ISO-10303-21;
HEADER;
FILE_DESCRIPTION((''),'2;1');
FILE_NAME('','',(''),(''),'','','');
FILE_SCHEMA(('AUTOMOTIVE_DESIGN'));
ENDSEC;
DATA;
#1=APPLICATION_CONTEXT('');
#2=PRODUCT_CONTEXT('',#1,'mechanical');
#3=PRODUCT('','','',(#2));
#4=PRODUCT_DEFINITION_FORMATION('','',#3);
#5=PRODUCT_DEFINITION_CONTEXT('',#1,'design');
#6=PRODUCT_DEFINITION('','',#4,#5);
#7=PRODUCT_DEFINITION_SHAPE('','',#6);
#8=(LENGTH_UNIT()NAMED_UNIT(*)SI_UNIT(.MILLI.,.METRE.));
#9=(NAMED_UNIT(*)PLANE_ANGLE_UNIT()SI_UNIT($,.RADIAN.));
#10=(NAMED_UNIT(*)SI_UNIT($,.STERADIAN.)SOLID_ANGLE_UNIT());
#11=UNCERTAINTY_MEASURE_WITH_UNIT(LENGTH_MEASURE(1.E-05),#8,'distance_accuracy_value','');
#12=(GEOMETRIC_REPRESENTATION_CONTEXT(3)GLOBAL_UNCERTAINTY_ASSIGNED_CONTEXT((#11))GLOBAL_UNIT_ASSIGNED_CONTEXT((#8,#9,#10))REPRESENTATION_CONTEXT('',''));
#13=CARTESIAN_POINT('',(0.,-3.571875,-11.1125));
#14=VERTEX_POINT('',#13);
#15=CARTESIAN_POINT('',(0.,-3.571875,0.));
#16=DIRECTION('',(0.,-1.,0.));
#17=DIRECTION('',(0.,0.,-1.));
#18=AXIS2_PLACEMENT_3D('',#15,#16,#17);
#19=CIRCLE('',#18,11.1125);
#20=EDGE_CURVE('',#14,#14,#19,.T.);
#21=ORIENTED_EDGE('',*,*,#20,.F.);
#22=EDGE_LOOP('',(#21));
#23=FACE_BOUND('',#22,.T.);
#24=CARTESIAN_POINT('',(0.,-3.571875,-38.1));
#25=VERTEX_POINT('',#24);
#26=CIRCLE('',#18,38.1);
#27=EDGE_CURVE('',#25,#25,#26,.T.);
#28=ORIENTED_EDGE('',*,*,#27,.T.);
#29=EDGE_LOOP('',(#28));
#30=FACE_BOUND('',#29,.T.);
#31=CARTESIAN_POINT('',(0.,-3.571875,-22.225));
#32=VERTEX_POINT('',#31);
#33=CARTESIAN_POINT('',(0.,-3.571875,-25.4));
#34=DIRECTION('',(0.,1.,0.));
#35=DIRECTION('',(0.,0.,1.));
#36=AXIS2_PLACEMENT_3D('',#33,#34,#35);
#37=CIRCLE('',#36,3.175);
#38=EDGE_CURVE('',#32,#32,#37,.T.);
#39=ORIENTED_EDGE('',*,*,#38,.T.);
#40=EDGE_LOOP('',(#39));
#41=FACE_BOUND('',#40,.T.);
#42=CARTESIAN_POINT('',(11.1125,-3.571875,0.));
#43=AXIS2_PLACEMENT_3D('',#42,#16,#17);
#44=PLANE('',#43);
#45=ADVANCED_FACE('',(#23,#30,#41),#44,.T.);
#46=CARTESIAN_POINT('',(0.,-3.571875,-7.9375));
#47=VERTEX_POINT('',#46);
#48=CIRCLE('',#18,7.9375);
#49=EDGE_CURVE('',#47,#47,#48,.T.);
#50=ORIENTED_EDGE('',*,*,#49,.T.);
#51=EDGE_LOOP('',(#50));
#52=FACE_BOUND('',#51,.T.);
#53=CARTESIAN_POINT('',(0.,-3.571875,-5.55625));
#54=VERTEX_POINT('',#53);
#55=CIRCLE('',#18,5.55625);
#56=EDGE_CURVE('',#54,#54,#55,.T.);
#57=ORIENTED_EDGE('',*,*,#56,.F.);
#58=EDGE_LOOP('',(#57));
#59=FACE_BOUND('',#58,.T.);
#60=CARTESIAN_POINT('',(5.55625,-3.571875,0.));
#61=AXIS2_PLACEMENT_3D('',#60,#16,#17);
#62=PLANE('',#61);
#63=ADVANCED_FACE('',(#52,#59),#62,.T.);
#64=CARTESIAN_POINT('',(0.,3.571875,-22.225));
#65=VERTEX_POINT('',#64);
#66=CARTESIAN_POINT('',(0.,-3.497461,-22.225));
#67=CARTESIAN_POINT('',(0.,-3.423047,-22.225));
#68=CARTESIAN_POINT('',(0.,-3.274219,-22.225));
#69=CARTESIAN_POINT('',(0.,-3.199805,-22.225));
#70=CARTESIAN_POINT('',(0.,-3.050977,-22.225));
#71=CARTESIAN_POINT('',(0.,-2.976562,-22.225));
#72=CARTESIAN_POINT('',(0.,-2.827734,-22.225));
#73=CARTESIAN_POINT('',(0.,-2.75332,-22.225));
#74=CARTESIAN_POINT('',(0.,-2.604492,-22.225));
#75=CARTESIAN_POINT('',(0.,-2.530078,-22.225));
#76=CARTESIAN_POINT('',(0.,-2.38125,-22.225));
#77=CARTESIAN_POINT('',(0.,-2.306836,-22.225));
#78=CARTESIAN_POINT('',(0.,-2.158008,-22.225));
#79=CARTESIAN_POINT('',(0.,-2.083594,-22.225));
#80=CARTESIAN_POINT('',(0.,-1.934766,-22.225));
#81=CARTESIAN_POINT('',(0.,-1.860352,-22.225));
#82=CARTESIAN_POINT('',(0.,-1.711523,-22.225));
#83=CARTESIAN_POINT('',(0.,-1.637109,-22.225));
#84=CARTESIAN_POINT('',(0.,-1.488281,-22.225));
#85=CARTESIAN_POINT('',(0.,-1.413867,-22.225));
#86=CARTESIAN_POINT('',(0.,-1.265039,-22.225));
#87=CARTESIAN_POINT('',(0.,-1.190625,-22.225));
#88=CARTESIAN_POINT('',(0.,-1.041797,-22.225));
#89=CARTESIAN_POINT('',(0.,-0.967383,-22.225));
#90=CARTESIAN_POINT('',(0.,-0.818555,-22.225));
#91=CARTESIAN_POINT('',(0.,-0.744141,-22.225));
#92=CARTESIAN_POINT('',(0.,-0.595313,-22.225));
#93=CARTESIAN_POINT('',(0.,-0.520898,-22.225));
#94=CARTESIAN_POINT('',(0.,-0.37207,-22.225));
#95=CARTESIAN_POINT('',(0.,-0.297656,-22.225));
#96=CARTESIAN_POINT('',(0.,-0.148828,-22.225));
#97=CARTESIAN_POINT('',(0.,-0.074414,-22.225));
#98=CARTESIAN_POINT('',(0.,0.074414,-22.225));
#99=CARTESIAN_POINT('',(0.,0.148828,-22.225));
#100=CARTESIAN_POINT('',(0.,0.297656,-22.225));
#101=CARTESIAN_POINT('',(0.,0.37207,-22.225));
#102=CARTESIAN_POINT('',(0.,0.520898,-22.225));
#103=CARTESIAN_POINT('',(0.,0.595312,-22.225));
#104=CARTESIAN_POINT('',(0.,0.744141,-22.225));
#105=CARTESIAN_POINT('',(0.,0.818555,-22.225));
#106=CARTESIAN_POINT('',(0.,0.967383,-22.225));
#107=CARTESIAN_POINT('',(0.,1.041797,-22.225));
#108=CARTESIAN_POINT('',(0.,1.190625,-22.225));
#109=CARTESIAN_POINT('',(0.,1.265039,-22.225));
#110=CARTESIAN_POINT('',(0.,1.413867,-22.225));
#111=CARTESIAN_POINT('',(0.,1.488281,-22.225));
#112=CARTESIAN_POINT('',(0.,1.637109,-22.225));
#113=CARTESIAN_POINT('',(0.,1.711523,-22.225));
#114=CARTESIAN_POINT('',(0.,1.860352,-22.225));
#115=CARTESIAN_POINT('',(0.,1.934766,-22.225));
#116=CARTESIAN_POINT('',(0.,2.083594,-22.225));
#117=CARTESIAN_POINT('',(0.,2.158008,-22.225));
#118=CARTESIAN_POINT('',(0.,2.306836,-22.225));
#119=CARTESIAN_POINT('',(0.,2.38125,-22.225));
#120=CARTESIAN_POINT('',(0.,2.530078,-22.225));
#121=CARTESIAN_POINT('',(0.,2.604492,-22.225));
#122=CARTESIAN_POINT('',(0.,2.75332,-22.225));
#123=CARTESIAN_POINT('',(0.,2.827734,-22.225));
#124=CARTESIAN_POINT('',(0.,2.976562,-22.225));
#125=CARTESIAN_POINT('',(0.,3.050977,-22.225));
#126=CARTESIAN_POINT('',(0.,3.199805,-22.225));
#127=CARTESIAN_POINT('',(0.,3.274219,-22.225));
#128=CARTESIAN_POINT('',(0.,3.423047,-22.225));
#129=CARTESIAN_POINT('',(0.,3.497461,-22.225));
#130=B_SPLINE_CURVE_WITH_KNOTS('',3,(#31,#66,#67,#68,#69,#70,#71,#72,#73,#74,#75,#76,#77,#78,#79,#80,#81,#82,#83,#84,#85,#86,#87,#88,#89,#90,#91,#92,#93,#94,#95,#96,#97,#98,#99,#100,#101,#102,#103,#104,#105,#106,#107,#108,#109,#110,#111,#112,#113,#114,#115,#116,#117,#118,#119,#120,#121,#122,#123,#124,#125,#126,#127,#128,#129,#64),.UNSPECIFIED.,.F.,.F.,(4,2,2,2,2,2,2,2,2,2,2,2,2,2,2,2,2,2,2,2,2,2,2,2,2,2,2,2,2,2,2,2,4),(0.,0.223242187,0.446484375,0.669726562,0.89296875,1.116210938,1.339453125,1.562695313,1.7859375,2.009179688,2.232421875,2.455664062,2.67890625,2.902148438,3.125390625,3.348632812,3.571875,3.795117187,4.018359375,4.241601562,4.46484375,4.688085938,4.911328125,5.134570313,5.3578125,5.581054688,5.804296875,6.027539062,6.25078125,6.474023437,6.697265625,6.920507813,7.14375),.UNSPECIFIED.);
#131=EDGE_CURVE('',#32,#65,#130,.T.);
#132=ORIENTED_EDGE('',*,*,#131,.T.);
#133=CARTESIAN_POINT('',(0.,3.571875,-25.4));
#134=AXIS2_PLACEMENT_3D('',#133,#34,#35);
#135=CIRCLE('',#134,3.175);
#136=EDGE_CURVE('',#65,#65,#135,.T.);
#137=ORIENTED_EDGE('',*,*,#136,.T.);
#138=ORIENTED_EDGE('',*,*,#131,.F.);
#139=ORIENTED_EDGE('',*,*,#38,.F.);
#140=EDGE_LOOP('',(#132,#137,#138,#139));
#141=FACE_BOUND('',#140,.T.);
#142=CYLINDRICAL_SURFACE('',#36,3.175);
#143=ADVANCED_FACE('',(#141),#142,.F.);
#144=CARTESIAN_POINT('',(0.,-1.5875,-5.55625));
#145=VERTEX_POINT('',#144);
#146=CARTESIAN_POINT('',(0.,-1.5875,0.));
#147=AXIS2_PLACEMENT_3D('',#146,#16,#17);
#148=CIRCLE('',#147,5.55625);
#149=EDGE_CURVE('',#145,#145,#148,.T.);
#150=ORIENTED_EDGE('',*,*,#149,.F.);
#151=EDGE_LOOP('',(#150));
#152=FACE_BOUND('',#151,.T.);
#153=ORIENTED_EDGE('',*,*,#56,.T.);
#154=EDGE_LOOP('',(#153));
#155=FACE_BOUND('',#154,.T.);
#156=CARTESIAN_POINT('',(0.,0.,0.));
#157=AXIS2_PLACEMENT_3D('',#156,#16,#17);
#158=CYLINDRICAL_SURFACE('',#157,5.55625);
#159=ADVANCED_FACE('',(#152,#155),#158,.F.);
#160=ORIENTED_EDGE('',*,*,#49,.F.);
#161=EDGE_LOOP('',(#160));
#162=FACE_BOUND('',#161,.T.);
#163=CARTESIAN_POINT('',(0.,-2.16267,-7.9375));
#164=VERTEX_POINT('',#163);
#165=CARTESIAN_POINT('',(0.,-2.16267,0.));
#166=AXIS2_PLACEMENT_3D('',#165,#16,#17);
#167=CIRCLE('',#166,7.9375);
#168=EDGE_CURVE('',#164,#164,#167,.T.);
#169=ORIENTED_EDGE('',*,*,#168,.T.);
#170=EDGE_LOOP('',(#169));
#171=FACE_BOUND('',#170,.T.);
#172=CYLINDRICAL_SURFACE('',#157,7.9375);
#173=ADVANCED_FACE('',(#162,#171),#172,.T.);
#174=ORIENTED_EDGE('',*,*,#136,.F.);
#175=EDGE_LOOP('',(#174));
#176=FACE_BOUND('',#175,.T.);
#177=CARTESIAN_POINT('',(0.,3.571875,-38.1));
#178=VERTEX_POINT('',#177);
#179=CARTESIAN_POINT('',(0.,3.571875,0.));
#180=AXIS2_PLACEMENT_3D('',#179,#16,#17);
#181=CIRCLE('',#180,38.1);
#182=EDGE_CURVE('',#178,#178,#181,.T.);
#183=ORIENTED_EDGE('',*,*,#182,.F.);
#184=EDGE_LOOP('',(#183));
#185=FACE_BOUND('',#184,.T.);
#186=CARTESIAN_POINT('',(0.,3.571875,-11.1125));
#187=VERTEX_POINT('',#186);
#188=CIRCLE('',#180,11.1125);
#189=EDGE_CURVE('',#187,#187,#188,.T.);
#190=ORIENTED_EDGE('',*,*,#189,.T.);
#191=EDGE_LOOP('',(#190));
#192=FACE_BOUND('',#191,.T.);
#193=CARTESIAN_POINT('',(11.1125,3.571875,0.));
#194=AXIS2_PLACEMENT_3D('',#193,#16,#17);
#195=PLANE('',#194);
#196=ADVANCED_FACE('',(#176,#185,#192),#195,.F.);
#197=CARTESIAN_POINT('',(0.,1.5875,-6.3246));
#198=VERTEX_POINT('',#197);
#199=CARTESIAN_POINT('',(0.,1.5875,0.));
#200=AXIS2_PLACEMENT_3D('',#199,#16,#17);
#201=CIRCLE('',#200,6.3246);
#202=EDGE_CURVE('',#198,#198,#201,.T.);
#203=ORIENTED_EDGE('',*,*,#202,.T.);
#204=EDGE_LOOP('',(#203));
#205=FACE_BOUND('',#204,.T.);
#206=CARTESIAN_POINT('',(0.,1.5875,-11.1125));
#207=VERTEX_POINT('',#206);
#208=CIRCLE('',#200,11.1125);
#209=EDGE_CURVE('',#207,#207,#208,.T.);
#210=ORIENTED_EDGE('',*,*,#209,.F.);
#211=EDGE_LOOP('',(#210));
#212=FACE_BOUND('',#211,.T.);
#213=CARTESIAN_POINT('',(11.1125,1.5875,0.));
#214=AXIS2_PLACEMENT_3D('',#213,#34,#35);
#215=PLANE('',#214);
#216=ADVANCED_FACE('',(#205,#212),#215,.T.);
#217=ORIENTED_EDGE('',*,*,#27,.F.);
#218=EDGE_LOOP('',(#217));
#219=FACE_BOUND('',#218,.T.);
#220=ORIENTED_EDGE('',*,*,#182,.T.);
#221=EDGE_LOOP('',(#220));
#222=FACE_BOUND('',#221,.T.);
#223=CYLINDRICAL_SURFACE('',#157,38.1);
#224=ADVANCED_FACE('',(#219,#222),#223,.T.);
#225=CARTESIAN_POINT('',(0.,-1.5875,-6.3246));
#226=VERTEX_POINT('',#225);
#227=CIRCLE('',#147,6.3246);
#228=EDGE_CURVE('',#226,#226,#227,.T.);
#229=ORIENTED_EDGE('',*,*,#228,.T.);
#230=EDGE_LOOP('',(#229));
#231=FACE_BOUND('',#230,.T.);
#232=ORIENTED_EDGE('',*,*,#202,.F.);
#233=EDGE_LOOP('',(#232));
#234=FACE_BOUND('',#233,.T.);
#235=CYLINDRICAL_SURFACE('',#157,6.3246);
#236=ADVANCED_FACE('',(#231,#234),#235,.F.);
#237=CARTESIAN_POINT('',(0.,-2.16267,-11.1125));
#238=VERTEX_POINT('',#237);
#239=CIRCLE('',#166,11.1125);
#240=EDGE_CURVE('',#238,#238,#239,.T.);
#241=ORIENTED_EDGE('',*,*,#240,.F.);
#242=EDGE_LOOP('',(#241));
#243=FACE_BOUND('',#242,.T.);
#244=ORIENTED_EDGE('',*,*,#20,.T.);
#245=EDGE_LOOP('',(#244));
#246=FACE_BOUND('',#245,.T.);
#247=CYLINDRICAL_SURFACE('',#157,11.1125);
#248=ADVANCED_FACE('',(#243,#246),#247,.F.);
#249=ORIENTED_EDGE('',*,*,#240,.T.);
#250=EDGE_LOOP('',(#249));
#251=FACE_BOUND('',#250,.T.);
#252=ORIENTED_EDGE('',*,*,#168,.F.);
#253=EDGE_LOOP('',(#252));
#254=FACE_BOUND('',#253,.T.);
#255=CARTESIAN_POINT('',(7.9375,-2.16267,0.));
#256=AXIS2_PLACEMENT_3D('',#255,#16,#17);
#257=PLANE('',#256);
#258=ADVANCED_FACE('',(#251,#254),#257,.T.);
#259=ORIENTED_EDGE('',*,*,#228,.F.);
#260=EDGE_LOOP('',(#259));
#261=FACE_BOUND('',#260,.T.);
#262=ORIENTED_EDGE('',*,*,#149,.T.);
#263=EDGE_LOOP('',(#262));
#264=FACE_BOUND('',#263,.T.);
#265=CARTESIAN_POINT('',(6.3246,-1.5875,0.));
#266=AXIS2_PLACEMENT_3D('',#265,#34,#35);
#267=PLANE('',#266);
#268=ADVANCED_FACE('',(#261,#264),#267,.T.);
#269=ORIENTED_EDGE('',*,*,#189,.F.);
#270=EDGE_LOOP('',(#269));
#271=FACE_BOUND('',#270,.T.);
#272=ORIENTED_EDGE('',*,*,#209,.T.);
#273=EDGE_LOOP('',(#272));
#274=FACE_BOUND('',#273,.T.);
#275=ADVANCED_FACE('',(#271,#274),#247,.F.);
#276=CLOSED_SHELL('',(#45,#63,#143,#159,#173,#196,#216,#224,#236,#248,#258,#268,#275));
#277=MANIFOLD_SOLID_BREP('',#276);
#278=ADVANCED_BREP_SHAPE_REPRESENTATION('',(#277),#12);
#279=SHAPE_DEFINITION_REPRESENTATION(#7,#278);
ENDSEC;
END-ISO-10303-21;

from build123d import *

# Parameters (mm, degrees)
SKETCH2_R          = 3.175
CUT_EXTRUDE1_DEPTH = 55.353041903


with BuildPart() as part:
    # Sketch1 → Revolve1 (revolve)
    with BuildSketch(Plane.XY):
        Polygon((11.1125, 3.571875), (38.1, 3.571875), (38.1, -3.571875), (11.1125, -3.571875), (11.1125, -2.162669552), (7.9375, -2.162669552), (7.9375, -3.571875), (5.55625, -3.571875), (5.55625, -1.5875), (6.3246, -1.5875), (6.3246, 1.5875), (11.1125, 1.5875), align=None)
    revolve(axis=Axis((0, 0, 0), (0, 1, 0)))

    # Sketch2 → Cut-Extrude1 (cut, through all)
    with BuildSketch(Plane(origin=(0, 3.571875, 0), x_dir=(1, 0, 0), z_dir=(0, 1, 0))):
        with Locations((0, 25.4)):
            Circle(SKETCH2_R)
    extrude(amount=-CUT_EXTRUDE1_DEPTH, mode=Mode.SUBTRACT)


solid = part.part
